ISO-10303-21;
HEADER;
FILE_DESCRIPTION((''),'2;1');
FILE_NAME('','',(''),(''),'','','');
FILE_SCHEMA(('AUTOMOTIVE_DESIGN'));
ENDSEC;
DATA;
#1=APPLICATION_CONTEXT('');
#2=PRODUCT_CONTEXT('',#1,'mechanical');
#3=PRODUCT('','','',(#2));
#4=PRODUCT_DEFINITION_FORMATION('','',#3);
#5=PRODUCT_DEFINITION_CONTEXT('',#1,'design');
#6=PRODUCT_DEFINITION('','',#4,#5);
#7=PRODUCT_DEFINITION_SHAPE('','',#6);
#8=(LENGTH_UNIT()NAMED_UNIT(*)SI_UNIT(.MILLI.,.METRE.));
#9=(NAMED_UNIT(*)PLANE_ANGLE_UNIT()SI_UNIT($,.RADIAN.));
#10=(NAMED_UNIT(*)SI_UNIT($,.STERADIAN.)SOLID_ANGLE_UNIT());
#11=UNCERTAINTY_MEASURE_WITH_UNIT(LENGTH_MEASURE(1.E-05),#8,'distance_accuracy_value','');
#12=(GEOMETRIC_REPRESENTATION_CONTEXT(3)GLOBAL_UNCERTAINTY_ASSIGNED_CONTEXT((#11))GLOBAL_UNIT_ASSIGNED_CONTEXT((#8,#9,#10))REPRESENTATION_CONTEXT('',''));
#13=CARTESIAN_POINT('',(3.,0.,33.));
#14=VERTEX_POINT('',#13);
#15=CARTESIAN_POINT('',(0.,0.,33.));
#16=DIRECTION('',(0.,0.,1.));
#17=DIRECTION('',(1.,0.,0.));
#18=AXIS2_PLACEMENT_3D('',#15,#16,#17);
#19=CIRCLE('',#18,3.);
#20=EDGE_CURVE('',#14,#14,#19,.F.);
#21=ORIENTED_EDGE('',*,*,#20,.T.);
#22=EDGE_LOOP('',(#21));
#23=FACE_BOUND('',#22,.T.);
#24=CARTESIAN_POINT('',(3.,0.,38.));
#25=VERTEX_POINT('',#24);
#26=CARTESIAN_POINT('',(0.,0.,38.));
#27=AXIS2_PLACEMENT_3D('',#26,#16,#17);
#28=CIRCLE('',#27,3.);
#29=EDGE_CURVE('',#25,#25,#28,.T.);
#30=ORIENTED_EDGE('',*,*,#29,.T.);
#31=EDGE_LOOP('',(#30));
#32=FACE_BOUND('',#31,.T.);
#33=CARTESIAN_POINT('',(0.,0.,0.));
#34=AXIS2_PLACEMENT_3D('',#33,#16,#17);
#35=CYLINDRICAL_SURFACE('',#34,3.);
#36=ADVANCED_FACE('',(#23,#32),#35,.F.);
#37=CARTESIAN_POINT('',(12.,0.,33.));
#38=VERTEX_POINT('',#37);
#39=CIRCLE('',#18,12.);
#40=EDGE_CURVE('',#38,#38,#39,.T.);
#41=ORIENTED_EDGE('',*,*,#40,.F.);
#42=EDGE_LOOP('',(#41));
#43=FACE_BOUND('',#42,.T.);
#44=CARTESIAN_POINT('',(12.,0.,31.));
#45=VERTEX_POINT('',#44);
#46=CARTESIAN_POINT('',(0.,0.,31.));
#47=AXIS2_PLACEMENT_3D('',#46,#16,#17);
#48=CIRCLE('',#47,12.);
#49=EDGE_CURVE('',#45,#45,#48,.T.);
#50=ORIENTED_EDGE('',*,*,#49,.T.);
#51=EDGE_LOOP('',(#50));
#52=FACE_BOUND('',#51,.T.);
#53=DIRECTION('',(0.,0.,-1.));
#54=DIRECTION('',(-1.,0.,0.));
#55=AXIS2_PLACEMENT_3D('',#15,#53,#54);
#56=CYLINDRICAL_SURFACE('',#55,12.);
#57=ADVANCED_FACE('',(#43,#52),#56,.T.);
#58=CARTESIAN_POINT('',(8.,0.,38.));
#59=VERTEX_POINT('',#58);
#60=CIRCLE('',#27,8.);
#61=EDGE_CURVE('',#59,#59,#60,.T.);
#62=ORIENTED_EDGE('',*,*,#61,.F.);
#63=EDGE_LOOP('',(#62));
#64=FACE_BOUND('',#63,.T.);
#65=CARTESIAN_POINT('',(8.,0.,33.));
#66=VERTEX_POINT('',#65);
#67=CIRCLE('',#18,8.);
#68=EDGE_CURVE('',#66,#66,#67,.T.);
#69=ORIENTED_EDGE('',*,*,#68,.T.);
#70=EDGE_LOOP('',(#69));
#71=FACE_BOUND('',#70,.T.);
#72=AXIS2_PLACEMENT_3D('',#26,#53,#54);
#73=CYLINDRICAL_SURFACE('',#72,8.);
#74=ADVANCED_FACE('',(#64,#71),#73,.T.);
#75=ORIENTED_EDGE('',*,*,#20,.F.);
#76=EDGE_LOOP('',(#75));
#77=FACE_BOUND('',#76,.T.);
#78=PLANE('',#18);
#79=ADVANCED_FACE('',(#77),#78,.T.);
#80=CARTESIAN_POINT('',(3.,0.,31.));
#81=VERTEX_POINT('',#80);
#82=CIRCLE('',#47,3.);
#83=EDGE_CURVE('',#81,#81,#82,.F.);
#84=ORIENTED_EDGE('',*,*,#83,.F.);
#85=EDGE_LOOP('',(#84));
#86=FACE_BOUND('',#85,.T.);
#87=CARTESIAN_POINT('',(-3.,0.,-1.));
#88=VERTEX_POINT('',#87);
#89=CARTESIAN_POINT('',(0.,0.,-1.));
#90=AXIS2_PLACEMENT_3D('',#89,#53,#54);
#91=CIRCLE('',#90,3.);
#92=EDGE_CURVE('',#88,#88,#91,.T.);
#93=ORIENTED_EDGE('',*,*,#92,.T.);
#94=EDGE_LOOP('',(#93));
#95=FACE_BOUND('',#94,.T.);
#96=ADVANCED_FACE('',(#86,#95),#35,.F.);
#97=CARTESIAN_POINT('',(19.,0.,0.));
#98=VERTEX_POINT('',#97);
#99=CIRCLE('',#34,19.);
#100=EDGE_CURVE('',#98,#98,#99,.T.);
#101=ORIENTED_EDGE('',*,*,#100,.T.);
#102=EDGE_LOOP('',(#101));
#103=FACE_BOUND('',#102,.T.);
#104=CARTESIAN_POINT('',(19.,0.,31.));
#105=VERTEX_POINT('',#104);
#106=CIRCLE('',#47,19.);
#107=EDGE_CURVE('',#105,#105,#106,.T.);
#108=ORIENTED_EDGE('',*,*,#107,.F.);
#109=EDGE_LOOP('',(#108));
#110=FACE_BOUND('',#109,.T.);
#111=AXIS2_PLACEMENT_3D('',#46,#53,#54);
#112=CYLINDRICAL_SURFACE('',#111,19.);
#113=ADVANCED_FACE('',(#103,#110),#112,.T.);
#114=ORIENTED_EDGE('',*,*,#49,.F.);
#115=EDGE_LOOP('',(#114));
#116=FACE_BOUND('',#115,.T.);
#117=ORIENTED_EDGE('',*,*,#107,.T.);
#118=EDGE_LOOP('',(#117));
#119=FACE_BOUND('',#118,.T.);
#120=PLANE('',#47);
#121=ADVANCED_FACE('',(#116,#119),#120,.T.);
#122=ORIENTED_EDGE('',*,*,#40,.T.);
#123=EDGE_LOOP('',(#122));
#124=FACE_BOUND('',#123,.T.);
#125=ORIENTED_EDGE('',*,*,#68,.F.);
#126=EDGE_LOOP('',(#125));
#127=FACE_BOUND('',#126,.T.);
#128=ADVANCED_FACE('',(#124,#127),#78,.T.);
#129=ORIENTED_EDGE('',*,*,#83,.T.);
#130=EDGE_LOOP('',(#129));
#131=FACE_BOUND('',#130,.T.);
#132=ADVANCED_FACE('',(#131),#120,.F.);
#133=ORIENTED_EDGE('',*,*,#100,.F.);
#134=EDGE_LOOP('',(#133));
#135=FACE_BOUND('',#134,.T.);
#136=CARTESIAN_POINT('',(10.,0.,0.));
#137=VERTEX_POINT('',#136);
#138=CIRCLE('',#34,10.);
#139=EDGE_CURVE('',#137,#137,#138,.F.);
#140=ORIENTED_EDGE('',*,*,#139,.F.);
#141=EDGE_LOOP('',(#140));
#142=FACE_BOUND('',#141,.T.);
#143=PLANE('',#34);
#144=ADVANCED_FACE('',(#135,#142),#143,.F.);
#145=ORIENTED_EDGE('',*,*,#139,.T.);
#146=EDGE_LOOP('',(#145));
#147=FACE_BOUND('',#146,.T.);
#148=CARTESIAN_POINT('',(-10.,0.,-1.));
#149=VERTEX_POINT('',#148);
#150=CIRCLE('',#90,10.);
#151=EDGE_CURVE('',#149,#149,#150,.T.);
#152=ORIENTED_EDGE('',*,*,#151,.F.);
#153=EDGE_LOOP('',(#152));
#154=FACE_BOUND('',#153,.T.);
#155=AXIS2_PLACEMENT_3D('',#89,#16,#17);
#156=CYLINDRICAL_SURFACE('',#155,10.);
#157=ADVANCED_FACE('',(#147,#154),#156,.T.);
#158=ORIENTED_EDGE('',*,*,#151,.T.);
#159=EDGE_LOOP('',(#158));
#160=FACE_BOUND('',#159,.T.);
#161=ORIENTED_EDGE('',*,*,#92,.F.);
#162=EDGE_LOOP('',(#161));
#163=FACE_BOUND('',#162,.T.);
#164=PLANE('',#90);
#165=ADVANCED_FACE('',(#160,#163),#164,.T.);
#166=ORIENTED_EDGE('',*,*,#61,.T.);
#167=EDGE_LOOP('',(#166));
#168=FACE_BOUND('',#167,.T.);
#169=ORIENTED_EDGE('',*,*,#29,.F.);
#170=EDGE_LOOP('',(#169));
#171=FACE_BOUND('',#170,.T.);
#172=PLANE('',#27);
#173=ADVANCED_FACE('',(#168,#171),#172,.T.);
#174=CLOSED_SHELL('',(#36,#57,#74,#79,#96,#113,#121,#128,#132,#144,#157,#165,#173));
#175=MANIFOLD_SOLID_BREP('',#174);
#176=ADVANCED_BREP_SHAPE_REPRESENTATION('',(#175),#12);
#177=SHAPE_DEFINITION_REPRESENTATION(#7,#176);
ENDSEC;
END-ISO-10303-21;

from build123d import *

# Parameters (mm, degrees)
SKETCH_1_R          = 19
EXTRUDE_1_DEPTH     = 31
SKETCH_2_R          = 8
EXTRUDE_2_DEPTH     = 7
SKETCH_3_R          = 3
CUT_EXTRUDE_1_DEPTH = 47.540305113
SKETCH_4_R          = 12
EXTRUDE_3_DEPTH     = 2
SKETCH_5_R          = 10
SKETCH_5_R_2        = 3
EXTRUDE_4_DEPTH     = 1


with BuildPart() as part:
    # 草图1 → 凸台-拉伸1 (new body)
    with BuildSketch(Plane.XY):
        Circle(SKETCH_1_R)
    extrude(amount=EXTRUDE_1_DEPTH)

    # 草图2 → 凸台-拉伸2 (add)
    with BuildSketch(Plane.XY.offset(31)):
        Circle(SKETCH_2_R)
    extrude(amount=EXTRUDE_2_DEPTH)

    # 草图3 → 切除-拉伸1 (cut, through all)
    with BuildSketch(Plane.XY.offset(38)):
        Circle(SKETCH_3_R)
    extrude(amount=-CUT_EXTRUDE_1_DEPTH, mode=Mode.SUBTRACT)

    # 草图4 → 凸台-拉伸3 (add)
    with BuildSketch(Plane.XY.offset(31)):
        Circle(SKETCH_4_R)
    extrude(amount=EXTRUDE_3_DEPTH)

    # 草图5 → 凸台-拉伸4 (add)
    with BuildSketch(Plane(origin=(0, 0, 0), x_dir=(-1, 0, 0), z_dir=(0, 0, -1))):
        with Locations(Location((0, 0, 0), (0, 0, 180))):
            Circle(SKETCH_5_R)
        with Locations(Location((0, 0, 0), (0, 0, 180))):
            Circle(SKETCH_5_R_2, mode=Mode.SUBTRACT)
    extrude(amount=EXTRUDE_4_DEPTH)


solid = part.part
